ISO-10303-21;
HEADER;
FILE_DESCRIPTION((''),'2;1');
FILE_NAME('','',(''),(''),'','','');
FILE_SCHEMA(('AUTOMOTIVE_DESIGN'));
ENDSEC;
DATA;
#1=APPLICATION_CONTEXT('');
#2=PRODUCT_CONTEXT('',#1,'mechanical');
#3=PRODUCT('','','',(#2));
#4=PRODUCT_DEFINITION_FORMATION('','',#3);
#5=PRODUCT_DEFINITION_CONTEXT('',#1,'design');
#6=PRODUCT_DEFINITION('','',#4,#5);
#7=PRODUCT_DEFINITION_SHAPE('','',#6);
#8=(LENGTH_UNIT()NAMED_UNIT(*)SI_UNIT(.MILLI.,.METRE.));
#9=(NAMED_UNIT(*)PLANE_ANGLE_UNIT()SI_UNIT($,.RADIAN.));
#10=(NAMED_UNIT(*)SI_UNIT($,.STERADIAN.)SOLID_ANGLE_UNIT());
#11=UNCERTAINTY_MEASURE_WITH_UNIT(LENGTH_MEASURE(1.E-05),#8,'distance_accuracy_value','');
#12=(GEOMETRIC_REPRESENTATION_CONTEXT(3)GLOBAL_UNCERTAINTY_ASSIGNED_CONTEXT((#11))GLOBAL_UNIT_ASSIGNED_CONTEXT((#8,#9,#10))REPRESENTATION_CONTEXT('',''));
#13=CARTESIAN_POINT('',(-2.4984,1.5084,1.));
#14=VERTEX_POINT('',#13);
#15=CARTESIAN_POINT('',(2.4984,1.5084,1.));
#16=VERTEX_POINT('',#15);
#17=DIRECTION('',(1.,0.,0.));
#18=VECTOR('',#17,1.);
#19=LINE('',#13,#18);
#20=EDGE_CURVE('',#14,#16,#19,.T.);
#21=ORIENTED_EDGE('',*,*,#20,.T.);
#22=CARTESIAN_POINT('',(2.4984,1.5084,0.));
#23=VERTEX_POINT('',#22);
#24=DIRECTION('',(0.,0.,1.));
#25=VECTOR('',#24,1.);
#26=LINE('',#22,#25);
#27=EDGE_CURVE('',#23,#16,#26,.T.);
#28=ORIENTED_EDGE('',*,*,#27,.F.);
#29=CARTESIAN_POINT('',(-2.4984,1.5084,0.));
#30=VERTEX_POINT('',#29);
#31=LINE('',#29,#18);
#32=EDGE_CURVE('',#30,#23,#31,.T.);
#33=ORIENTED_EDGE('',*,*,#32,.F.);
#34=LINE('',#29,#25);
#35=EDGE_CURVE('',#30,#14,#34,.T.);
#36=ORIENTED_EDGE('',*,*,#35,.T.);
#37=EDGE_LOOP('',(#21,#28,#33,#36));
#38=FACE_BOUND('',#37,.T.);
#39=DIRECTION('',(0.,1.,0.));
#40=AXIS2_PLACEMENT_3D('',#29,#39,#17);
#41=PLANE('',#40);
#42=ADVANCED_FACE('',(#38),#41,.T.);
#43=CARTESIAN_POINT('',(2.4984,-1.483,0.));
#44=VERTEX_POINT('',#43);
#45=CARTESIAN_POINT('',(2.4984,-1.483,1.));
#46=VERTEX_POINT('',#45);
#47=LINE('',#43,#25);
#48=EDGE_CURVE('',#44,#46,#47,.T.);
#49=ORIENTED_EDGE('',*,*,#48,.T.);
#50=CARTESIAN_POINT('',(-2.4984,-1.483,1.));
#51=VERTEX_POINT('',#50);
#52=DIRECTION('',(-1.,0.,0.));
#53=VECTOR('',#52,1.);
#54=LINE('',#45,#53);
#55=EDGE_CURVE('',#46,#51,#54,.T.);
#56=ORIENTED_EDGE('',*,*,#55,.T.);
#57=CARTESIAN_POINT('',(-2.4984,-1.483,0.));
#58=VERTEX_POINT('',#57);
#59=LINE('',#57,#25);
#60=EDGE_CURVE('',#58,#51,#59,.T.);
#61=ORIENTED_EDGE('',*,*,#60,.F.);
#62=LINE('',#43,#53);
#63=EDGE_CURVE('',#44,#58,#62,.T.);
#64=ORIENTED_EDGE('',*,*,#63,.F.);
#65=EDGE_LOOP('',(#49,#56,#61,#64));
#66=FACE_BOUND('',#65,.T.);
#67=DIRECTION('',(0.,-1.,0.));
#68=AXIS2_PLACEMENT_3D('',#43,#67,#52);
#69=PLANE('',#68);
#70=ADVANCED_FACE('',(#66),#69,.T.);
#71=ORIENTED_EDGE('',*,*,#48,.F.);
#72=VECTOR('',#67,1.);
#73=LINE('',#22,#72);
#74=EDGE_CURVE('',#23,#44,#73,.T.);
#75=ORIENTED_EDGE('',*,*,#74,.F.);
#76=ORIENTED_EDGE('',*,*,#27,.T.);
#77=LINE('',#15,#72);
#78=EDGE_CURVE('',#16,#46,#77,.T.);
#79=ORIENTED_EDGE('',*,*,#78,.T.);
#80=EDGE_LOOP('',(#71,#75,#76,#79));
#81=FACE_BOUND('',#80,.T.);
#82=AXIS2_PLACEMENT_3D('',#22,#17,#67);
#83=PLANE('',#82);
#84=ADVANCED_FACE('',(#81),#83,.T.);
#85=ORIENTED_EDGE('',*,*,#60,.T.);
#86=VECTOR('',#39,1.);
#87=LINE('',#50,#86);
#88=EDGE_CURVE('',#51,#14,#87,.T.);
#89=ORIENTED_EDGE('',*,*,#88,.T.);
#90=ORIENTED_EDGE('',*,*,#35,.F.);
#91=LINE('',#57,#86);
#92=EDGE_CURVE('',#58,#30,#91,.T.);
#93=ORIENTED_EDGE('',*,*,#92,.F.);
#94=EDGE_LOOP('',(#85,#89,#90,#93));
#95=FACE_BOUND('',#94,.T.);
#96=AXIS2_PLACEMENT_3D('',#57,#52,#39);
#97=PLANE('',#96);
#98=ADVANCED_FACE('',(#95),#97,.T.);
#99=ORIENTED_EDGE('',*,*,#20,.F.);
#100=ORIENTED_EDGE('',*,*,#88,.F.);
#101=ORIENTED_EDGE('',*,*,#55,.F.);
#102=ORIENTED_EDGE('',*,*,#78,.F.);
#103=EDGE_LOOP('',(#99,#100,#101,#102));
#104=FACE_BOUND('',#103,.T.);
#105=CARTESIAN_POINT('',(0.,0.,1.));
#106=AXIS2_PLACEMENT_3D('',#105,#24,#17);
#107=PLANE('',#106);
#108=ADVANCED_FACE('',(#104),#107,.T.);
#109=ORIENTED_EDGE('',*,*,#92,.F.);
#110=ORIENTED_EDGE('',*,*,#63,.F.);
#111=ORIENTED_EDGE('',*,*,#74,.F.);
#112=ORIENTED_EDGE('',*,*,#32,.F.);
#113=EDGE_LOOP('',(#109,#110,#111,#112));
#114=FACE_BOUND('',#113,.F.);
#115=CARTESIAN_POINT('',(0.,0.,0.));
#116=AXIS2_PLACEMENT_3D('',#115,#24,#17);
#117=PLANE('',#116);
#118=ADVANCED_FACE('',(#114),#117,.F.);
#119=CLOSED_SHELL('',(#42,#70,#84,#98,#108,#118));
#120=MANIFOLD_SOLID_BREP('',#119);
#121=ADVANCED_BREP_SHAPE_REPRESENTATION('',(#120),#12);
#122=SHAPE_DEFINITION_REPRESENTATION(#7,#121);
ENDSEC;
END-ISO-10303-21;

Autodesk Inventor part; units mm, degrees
ref_plane "YZ Plane" through (0, 0, 0) normal (1, 0, 0) x (0, 1, 0)
ref_plane "XZ Plane" through (0, 0, 0) normal (0, 1, 0) x (-1, 0, 0)
ref_plane "XY Plane" through (0, 0, 0) normal (0, 0, 1) x (1, 0, 0)
sketch "M3216, 560K_93" plane through (0, 0, 0) normal (0, 0, 1) x (1, 0, 0)
  line L0 (-2.4984, 1.5084) -> (2.4984, 1.5084)
  line L1 (2.4984, 1.5084) -> (2.4984, -1.483)
  line L2 (2.4984, -1.483) -> (-2.4984, -1.483)
  line L3 (-2.4984, -1.483) -> (-2.4984, 1.5084)
extrude "Extrusion1" add sketch "M3216, 560K_93" along normal blind 1
properties part number "560K"
